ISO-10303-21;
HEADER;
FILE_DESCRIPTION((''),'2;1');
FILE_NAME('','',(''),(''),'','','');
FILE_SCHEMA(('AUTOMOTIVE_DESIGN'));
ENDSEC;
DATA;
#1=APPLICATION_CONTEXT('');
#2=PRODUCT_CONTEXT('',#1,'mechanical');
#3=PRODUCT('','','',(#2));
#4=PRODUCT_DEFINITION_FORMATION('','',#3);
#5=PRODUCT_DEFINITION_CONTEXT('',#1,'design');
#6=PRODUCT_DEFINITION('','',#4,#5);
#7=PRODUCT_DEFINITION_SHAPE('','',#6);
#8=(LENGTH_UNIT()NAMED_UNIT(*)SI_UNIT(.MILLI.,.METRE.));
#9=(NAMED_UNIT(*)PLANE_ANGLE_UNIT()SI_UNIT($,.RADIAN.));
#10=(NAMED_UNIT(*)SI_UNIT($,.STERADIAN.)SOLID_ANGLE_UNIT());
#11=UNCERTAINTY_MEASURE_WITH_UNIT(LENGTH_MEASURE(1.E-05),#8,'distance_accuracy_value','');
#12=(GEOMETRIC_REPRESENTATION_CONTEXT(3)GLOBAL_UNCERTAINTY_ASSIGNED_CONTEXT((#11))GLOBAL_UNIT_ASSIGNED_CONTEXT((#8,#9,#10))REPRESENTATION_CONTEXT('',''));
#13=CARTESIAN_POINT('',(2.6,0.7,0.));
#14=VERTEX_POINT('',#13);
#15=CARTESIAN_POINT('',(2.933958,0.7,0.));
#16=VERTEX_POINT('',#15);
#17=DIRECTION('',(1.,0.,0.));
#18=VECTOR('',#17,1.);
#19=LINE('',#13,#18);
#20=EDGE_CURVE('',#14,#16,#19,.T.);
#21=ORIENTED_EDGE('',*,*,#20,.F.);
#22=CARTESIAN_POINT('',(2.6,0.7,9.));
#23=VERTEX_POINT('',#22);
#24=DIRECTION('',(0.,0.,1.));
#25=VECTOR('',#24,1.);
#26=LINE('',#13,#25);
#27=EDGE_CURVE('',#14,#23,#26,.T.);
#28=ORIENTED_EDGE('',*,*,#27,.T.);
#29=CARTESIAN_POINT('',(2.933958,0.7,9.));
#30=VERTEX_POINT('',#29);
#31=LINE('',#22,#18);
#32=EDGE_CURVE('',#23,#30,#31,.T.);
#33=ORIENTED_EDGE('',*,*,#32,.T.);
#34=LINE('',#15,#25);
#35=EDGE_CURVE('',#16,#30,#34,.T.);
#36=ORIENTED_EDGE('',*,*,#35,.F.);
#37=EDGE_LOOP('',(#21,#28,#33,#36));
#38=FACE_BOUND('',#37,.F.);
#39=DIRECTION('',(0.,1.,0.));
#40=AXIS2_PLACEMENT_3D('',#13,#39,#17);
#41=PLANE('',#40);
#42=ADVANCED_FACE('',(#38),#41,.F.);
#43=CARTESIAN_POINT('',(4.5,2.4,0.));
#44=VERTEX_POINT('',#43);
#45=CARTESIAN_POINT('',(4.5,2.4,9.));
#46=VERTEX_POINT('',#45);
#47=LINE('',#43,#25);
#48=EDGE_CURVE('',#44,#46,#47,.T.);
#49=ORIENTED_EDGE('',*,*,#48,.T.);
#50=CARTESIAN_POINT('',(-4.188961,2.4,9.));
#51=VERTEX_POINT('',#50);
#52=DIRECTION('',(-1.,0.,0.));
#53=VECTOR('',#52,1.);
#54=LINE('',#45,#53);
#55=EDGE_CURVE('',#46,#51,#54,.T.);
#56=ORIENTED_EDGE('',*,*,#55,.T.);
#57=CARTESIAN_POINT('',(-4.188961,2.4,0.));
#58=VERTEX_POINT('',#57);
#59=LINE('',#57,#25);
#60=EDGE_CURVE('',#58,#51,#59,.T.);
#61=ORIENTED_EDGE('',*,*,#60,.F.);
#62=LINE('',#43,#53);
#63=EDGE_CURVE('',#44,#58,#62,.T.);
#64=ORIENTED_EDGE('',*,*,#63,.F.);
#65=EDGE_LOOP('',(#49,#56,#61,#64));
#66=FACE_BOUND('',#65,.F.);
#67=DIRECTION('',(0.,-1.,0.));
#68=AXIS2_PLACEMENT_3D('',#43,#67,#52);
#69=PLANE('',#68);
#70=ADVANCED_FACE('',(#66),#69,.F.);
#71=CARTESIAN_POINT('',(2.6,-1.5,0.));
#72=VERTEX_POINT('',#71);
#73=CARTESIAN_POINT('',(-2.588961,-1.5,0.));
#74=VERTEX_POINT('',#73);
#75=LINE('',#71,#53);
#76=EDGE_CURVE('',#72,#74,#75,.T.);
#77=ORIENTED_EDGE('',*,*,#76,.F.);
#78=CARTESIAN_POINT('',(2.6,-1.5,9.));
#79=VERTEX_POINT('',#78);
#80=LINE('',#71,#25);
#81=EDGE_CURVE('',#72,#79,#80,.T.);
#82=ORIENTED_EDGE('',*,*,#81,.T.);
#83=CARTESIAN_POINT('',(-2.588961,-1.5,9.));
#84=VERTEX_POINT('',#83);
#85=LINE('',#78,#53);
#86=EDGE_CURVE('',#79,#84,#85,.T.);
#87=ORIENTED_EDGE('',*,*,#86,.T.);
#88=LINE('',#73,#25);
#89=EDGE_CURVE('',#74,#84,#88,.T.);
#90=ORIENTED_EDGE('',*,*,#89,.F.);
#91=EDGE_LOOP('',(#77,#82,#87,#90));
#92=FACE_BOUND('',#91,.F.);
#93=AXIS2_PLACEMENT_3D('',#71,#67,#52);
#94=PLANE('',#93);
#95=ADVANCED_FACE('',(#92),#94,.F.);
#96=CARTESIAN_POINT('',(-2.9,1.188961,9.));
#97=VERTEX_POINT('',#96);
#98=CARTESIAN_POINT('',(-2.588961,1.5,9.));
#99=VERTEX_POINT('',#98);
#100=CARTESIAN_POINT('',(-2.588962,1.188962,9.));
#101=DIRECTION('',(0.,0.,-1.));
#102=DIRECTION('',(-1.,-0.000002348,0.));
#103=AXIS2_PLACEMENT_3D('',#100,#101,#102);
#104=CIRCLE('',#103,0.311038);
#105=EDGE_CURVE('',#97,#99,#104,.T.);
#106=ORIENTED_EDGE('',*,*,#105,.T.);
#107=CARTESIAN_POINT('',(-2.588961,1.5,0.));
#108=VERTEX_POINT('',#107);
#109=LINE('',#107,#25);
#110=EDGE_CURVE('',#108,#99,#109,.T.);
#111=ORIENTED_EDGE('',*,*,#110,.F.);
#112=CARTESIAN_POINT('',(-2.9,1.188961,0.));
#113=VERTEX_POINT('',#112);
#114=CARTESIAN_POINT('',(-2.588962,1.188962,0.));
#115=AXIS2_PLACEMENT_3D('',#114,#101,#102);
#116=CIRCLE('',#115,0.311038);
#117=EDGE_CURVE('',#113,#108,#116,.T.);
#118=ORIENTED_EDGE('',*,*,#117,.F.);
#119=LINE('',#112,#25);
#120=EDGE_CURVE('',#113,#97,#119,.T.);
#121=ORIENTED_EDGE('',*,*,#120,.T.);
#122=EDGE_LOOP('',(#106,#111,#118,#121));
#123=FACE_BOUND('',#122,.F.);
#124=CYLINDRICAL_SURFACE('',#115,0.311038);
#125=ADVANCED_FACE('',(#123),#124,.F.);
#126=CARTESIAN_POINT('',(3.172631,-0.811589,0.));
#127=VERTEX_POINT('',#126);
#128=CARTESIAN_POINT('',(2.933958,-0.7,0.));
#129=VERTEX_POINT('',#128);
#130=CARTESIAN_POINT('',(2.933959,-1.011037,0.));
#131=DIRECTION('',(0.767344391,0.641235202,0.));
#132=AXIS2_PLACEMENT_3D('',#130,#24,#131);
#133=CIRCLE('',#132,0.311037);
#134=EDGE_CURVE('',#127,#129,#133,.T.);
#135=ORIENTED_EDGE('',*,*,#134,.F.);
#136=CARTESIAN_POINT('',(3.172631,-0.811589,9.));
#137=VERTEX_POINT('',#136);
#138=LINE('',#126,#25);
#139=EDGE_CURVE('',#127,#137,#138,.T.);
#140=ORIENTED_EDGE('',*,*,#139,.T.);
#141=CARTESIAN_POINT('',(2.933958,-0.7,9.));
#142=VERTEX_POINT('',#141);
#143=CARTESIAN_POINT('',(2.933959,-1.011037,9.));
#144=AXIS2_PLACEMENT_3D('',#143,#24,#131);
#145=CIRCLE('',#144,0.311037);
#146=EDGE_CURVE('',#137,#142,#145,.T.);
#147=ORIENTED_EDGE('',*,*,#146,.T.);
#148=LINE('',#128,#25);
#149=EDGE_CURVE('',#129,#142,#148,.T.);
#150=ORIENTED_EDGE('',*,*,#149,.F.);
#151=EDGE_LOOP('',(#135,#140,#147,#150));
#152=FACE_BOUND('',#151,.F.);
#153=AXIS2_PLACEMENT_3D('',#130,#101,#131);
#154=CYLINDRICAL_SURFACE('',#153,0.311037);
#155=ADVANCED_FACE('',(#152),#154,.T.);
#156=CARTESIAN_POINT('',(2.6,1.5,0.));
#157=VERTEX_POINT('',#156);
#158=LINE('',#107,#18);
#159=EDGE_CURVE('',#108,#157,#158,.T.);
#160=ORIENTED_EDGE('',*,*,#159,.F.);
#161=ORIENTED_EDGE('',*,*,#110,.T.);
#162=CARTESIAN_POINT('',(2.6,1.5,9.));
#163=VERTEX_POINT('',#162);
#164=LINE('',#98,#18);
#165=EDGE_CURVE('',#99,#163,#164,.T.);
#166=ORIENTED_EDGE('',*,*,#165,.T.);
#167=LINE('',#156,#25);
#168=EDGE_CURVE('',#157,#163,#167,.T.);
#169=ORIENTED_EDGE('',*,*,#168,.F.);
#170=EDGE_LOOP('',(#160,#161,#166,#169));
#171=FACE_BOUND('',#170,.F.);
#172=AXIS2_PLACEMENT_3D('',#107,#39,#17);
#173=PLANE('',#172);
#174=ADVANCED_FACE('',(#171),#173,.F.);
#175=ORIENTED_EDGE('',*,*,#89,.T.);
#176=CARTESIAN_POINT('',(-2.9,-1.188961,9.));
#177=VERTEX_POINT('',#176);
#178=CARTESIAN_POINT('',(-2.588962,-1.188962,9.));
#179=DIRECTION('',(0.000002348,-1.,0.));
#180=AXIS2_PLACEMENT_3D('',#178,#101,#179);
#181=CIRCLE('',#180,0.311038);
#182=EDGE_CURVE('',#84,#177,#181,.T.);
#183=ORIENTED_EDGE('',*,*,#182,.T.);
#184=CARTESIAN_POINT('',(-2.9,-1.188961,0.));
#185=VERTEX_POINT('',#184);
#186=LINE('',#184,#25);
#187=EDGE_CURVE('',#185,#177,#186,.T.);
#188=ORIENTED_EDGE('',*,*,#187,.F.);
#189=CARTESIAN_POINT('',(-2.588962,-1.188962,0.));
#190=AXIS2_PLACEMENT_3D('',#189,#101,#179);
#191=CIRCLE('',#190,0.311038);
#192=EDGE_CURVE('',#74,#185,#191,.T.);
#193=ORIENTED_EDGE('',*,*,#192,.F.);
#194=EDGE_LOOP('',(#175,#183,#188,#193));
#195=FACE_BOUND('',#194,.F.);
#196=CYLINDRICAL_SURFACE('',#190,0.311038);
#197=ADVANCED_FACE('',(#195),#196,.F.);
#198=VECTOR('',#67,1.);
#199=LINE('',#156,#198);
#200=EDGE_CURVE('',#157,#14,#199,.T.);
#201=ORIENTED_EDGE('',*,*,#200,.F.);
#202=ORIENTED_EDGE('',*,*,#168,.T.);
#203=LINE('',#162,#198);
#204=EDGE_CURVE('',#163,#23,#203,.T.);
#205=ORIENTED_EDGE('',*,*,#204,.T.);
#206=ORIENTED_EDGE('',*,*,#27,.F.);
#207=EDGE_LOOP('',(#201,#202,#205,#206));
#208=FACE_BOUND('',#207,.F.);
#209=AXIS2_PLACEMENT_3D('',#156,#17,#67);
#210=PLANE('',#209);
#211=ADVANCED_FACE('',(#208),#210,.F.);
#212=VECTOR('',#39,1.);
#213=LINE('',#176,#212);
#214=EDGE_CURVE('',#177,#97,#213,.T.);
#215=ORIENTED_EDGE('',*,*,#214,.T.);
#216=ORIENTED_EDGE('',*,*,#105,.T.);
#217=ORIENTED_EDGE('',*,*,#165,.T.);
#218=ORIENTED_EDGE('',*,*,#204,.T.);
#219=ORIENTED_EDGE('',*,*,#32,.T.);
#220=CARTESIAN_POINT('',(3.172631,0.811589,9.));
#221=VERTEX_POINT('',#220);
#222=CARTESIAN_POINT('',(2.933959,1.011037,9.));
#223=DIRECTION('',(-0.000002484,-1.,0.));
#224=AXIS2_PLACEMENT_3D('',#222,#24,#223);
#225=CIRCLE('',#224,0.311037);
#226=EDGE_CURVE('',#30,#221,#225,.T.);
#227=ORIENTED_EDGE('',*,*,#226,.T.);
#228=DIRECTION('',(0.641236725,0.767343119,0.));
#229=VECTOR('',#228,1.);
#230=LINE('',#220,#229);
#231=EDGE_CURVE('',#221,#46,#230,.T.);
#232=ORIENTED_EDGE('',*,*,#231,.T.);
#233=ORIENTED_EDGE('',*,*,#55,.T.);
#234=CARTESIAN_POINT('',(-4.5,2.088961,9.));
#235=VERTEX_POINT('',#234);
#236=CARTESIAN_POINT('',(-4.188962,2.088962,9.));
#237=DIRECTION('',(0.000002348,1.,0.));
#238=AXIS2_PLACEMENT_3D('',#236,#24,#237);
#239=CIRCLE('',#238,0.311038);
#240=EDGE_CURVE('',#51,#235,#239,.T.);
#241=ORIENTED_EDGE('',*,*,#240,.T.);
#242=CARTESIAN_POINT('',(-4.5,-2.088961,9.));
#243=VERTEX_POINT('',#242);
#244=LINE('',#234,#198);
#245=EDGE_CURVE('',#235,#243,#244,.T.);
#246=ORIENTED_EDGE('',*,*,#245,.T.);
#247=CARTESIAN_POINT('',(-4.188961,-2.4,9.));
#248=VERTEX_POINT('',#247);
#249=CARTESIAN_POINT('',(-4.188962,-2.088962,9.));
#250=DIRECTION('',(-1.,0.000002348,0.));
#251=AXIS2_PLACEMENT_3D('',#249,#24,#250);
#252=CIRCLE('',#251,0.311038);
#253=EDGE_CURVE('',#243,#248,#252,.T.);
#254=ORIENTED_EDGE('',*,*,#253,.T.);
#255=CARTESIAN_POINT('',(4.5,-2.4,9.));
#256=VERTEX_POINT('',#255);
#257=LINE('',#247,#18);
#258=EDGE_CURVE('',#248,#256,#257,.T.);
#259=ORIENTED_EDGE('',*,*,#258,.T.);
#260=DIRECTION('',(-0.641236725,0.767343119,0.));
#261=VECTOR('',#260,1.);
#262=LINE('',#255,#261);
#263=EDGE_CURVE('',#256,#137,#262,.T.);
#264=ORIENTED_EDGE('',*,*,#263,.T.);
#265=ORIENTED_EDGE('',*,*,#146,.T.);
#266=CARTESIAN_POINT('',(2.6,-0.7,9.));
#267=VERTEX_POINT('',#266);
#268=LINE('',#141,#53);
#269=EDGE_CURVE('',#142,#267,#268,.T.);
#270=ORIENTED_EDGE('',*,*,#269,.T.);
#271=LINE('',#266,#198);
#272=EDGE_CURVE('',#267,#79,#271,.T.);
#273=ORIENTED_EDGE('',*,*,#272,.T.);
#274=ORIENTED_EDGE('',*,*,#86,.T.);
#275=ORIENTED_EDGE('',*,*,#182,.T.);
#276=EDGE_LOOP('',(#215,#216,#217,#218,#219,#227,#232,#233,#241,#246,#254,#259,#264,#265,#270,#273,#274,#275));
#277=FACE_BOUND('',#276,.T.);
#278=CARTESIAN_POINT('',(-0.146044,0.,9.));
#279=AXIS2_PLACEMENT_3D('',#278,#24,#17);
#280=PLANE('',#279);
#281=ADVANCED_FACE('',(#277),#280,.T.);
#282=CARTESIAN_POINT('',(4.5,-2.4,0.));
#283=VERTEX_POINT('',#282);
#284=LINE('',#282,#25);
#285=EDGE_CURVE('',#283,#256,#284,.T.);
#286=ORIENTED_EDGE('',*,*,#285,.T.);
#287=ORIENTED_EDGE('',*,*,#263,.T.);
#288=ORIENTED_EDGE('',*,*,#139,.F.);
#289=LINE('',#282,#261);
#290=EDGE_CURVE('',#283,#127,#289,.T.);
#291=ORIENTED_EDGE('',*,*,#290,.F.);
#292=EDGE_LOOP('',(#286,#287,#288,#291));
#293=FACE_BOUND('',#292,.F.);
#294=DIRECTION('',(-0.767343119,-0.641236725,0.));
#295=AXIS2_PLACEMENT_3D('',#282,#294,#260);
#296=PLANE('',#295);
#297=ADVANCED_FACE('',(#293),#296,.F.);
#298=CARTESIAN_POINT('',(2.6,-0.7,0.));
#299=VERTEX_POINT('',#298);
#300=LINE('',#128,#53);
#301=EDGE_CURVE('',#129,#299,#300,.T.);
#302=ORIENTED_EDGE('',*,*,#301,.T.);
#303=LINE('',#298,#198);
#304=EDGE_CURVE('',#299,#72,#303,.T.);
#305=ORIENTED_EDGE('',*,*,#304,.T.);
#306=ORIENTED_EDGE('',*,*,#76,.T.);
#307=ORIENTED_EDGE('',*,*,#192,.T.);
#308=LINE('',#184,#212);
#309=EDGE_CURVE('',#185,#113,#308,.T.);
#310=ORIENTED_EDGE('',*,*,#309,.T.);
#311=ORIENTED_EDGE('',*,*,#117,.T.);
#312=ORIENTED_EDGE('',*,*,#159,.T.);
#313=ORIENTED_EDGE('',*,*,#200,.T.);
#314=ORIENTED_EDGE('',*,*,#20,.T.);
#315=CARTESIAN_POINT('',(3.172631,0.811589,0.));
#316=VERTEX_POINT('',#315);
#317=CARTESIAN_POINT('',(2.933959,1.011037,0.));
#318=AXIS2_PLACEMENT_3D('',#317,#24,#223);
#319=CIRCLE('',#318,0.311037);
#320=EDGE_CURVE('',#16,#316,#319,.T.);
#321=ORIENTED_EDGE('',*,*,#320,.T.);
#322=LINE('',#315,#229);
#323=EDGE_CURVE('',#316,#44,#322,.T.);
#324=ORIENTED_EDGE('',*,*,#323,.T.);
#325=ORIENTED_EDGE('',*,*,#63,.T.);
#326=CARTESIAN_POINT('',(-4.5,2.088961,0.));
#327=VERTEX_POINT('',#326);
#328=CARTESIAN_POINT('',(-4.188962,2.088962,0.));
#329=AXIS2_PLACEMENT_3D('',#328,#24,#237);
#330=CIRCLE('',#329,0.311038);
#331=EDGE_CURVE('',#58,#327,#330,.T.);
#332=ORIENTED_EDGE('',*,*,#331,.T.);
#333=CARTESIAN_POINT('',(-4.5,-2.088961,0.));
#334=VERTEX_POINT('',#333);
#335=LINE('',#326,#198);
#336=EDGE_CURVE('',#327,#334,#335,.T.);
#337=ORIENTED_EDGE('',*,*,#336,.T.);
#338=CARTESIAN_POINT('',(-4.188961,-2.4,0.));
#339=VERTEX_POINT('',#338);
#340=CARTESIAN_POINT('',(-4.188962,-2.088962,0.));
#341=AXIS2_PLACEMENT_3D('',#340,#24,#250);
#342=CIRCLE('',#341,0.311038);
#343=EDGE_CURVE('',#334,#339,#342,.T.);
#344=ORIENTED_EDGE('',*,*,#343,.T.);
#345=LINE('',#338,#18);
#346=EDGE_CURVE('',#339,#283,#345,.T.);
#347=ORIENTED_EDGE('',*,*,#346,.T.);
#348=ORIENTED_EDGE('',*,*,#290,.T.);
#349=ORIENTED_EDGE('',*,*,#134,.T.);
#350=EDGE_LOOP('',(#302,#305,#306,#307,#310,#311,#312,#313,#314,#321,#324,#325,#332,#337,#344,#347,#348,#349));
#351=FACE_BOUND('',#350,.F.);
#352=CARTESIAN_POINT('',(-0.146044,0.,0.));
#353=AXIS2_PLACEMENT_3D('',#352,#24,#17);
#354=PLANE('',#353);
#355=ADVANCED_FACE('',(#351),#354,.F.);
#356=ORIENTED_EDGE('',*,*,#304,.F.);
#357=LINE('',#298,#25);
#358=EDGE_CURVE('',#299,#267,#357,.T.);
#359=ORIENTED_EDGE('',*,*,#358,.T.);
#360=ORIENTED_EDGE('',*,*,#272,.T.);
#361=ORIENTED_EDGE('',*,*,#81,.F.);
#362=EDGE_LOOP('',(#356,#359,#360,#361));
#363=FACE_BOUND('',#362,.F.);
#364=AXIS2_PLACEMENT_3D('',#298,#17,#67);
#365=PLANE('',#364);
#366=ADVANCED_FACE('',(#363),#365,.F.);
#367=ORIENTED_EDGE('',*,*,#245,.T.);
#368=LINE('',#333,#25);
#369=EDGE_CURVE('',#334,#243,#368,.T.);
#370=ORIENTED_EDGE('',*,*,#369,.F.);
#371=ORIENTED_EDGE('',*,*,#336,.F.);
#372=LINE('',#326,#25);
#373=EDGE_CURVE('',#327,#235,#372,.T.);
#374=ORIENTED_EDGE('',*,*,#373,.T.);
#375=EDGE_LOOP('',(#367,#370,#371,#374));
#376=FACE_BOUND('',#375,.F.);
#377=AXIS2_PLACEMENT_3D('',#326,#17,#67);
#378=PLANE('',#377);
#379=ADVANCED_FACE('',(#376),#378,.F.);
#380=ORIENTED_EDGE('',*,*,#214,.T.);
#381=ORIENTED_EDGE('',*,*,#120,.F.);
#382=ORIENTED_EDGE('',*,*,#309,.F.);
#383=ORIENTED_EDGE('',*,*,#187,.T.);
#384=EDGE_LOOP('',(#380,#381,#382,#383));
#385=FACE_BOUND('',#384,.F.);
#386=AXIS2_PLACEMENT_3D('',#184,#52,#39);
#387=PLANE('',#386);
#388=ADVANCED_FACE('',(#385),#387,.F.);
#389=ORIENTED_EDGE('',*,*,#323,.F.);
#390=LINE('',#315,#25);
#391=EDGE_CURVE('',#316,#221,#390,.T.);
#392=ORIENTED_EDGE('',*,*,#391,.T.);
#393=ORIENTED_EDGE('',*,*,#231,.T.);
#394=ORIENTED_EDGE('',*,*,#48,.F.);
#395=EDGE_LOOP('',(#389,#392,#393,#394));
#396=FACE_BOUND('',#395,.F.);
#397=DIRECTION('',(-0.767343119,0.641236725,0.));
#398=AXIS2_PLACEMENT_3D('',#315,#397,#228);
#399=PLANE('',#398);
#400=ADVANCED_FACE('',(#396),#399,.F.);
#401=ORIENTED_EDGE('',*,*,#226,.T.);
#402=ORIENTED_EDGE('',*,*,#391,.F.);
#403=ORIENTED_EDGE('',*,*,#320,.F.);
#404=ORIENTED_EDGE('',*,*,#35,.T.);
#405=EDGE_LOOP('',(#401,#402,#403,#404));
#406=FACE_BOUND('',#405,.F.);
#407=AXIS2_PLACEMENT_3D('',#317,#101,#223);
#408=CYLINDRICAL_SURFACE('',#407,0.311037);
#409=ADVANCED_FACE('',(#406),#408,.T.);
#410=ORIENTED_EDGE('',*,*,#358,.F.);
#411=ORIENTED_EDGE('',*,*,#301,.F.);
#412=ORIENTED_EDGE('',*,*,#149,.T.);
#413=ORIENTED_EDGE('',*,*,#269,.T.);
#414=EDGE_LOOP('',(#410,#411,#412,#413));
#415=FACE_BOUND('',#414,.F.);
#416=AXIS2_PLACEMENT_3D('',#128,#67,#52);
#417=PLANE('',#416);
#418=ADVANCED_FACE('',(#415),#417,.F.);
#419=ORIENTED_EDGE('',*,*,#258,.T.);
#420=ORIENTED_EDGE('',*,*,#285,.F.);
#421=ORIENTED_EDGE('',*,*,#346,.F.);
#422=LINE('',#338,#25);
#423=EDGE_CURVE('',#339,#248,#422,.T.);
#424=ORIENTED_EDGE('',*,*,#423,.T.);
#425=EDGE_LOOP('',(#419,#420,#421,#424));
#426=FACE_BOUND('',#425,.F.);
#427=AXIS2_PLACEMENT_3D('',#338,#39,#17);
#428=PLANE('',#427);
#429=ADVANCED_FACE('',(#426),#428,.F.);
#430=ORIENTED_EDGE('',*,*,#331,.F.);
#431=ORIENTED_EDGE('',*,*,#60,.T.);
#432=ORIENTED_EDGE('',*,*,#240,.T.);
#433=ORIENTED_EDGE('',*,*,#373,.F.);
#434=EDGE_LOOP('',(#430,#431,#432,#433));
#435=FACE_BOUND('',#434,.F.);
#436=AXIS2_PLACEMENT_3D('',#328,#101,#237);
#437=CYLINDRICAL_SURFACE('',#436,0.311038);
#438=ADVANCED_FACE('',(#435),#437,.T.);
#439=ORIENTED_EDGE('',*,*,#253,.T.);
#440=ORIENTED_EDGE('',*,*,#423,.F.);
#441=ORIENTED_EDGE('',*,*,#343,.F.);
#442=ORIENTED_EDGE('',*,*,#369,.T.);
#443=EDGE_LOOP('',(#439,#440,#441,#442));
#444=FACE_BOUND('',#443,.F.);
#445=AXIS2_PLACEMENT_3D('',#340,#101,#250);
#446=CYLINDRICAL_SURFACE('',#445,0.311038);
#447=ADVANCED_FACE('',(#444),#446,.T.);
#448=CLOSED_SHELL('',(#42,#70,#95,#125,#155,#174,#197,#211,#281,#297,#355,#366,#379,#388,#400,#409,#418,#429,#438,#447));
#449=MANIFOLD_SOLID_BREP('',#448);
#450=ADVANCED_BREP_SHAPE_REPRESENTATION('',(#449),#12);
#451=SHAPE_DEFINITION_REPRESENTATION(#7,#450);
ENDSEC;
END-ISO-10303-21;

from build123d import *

# Parameters (mm, degrees)
F1_DEPTH = 9


with BuildPart() as f1:
    # F0 (on Top) → F1 (new body)
    with BuildSketch(Plane.XY):
        with BuildLine():
            Line((-4.188961, -2.4), (4.5, -2.4))
            Line((4.5, -2.4), (3.172631, -0.811589))
            ThreePointArc((3.172631, -0.811589), (3.065694, -0.729275), (2.933958, -0.7))
            Line((2.933958, -0.7), (2.6, -0.7))
            Line((2.6, -0.7), (2.6, -1.5))
            Line((2.6, -1.5), (-2.588961, -1.5))
            ThreePointArc((-2.588961, -1.5), (-2.808899, -1.408899), (-2.9, -1.188961))
            Line((-2.9, -1.188961), (-2.9, 1.188961))
            ThreePointArc((-2.9, 1.188961), (-2.808899, 1.408899), (-2.588961, 1.5))
            Line((-2.588961, 1.5), (2.6, 1.5))
            Line((2.6, 1.5), (2.6, 0.7))
            Line((2.6, 0.7), (2.933958, 0.7))
            ThreePointArc((2.933958, 0.7), (3.065694, 0.729275), (3.172631, 0.811589))
            Line((3.172631, 0.811589), (4.5, 2.4))
            Line((4.5, 2.4), (-4.188961, 2.4))
            ThreePointArc((-4.188961, 2.4), (-4.408899, 2.308899), (-4.5, 2.088961))
            Line((-4.5, 2.088961), (-4.5, -2.088961))
            ThreePointArc((-4.5, -2.088961), (-4.408899, -2.308899), (-4.188961, -2.4))
        make_face()
    extrude(amount=F1_DEPTH)


solid = f1.part
